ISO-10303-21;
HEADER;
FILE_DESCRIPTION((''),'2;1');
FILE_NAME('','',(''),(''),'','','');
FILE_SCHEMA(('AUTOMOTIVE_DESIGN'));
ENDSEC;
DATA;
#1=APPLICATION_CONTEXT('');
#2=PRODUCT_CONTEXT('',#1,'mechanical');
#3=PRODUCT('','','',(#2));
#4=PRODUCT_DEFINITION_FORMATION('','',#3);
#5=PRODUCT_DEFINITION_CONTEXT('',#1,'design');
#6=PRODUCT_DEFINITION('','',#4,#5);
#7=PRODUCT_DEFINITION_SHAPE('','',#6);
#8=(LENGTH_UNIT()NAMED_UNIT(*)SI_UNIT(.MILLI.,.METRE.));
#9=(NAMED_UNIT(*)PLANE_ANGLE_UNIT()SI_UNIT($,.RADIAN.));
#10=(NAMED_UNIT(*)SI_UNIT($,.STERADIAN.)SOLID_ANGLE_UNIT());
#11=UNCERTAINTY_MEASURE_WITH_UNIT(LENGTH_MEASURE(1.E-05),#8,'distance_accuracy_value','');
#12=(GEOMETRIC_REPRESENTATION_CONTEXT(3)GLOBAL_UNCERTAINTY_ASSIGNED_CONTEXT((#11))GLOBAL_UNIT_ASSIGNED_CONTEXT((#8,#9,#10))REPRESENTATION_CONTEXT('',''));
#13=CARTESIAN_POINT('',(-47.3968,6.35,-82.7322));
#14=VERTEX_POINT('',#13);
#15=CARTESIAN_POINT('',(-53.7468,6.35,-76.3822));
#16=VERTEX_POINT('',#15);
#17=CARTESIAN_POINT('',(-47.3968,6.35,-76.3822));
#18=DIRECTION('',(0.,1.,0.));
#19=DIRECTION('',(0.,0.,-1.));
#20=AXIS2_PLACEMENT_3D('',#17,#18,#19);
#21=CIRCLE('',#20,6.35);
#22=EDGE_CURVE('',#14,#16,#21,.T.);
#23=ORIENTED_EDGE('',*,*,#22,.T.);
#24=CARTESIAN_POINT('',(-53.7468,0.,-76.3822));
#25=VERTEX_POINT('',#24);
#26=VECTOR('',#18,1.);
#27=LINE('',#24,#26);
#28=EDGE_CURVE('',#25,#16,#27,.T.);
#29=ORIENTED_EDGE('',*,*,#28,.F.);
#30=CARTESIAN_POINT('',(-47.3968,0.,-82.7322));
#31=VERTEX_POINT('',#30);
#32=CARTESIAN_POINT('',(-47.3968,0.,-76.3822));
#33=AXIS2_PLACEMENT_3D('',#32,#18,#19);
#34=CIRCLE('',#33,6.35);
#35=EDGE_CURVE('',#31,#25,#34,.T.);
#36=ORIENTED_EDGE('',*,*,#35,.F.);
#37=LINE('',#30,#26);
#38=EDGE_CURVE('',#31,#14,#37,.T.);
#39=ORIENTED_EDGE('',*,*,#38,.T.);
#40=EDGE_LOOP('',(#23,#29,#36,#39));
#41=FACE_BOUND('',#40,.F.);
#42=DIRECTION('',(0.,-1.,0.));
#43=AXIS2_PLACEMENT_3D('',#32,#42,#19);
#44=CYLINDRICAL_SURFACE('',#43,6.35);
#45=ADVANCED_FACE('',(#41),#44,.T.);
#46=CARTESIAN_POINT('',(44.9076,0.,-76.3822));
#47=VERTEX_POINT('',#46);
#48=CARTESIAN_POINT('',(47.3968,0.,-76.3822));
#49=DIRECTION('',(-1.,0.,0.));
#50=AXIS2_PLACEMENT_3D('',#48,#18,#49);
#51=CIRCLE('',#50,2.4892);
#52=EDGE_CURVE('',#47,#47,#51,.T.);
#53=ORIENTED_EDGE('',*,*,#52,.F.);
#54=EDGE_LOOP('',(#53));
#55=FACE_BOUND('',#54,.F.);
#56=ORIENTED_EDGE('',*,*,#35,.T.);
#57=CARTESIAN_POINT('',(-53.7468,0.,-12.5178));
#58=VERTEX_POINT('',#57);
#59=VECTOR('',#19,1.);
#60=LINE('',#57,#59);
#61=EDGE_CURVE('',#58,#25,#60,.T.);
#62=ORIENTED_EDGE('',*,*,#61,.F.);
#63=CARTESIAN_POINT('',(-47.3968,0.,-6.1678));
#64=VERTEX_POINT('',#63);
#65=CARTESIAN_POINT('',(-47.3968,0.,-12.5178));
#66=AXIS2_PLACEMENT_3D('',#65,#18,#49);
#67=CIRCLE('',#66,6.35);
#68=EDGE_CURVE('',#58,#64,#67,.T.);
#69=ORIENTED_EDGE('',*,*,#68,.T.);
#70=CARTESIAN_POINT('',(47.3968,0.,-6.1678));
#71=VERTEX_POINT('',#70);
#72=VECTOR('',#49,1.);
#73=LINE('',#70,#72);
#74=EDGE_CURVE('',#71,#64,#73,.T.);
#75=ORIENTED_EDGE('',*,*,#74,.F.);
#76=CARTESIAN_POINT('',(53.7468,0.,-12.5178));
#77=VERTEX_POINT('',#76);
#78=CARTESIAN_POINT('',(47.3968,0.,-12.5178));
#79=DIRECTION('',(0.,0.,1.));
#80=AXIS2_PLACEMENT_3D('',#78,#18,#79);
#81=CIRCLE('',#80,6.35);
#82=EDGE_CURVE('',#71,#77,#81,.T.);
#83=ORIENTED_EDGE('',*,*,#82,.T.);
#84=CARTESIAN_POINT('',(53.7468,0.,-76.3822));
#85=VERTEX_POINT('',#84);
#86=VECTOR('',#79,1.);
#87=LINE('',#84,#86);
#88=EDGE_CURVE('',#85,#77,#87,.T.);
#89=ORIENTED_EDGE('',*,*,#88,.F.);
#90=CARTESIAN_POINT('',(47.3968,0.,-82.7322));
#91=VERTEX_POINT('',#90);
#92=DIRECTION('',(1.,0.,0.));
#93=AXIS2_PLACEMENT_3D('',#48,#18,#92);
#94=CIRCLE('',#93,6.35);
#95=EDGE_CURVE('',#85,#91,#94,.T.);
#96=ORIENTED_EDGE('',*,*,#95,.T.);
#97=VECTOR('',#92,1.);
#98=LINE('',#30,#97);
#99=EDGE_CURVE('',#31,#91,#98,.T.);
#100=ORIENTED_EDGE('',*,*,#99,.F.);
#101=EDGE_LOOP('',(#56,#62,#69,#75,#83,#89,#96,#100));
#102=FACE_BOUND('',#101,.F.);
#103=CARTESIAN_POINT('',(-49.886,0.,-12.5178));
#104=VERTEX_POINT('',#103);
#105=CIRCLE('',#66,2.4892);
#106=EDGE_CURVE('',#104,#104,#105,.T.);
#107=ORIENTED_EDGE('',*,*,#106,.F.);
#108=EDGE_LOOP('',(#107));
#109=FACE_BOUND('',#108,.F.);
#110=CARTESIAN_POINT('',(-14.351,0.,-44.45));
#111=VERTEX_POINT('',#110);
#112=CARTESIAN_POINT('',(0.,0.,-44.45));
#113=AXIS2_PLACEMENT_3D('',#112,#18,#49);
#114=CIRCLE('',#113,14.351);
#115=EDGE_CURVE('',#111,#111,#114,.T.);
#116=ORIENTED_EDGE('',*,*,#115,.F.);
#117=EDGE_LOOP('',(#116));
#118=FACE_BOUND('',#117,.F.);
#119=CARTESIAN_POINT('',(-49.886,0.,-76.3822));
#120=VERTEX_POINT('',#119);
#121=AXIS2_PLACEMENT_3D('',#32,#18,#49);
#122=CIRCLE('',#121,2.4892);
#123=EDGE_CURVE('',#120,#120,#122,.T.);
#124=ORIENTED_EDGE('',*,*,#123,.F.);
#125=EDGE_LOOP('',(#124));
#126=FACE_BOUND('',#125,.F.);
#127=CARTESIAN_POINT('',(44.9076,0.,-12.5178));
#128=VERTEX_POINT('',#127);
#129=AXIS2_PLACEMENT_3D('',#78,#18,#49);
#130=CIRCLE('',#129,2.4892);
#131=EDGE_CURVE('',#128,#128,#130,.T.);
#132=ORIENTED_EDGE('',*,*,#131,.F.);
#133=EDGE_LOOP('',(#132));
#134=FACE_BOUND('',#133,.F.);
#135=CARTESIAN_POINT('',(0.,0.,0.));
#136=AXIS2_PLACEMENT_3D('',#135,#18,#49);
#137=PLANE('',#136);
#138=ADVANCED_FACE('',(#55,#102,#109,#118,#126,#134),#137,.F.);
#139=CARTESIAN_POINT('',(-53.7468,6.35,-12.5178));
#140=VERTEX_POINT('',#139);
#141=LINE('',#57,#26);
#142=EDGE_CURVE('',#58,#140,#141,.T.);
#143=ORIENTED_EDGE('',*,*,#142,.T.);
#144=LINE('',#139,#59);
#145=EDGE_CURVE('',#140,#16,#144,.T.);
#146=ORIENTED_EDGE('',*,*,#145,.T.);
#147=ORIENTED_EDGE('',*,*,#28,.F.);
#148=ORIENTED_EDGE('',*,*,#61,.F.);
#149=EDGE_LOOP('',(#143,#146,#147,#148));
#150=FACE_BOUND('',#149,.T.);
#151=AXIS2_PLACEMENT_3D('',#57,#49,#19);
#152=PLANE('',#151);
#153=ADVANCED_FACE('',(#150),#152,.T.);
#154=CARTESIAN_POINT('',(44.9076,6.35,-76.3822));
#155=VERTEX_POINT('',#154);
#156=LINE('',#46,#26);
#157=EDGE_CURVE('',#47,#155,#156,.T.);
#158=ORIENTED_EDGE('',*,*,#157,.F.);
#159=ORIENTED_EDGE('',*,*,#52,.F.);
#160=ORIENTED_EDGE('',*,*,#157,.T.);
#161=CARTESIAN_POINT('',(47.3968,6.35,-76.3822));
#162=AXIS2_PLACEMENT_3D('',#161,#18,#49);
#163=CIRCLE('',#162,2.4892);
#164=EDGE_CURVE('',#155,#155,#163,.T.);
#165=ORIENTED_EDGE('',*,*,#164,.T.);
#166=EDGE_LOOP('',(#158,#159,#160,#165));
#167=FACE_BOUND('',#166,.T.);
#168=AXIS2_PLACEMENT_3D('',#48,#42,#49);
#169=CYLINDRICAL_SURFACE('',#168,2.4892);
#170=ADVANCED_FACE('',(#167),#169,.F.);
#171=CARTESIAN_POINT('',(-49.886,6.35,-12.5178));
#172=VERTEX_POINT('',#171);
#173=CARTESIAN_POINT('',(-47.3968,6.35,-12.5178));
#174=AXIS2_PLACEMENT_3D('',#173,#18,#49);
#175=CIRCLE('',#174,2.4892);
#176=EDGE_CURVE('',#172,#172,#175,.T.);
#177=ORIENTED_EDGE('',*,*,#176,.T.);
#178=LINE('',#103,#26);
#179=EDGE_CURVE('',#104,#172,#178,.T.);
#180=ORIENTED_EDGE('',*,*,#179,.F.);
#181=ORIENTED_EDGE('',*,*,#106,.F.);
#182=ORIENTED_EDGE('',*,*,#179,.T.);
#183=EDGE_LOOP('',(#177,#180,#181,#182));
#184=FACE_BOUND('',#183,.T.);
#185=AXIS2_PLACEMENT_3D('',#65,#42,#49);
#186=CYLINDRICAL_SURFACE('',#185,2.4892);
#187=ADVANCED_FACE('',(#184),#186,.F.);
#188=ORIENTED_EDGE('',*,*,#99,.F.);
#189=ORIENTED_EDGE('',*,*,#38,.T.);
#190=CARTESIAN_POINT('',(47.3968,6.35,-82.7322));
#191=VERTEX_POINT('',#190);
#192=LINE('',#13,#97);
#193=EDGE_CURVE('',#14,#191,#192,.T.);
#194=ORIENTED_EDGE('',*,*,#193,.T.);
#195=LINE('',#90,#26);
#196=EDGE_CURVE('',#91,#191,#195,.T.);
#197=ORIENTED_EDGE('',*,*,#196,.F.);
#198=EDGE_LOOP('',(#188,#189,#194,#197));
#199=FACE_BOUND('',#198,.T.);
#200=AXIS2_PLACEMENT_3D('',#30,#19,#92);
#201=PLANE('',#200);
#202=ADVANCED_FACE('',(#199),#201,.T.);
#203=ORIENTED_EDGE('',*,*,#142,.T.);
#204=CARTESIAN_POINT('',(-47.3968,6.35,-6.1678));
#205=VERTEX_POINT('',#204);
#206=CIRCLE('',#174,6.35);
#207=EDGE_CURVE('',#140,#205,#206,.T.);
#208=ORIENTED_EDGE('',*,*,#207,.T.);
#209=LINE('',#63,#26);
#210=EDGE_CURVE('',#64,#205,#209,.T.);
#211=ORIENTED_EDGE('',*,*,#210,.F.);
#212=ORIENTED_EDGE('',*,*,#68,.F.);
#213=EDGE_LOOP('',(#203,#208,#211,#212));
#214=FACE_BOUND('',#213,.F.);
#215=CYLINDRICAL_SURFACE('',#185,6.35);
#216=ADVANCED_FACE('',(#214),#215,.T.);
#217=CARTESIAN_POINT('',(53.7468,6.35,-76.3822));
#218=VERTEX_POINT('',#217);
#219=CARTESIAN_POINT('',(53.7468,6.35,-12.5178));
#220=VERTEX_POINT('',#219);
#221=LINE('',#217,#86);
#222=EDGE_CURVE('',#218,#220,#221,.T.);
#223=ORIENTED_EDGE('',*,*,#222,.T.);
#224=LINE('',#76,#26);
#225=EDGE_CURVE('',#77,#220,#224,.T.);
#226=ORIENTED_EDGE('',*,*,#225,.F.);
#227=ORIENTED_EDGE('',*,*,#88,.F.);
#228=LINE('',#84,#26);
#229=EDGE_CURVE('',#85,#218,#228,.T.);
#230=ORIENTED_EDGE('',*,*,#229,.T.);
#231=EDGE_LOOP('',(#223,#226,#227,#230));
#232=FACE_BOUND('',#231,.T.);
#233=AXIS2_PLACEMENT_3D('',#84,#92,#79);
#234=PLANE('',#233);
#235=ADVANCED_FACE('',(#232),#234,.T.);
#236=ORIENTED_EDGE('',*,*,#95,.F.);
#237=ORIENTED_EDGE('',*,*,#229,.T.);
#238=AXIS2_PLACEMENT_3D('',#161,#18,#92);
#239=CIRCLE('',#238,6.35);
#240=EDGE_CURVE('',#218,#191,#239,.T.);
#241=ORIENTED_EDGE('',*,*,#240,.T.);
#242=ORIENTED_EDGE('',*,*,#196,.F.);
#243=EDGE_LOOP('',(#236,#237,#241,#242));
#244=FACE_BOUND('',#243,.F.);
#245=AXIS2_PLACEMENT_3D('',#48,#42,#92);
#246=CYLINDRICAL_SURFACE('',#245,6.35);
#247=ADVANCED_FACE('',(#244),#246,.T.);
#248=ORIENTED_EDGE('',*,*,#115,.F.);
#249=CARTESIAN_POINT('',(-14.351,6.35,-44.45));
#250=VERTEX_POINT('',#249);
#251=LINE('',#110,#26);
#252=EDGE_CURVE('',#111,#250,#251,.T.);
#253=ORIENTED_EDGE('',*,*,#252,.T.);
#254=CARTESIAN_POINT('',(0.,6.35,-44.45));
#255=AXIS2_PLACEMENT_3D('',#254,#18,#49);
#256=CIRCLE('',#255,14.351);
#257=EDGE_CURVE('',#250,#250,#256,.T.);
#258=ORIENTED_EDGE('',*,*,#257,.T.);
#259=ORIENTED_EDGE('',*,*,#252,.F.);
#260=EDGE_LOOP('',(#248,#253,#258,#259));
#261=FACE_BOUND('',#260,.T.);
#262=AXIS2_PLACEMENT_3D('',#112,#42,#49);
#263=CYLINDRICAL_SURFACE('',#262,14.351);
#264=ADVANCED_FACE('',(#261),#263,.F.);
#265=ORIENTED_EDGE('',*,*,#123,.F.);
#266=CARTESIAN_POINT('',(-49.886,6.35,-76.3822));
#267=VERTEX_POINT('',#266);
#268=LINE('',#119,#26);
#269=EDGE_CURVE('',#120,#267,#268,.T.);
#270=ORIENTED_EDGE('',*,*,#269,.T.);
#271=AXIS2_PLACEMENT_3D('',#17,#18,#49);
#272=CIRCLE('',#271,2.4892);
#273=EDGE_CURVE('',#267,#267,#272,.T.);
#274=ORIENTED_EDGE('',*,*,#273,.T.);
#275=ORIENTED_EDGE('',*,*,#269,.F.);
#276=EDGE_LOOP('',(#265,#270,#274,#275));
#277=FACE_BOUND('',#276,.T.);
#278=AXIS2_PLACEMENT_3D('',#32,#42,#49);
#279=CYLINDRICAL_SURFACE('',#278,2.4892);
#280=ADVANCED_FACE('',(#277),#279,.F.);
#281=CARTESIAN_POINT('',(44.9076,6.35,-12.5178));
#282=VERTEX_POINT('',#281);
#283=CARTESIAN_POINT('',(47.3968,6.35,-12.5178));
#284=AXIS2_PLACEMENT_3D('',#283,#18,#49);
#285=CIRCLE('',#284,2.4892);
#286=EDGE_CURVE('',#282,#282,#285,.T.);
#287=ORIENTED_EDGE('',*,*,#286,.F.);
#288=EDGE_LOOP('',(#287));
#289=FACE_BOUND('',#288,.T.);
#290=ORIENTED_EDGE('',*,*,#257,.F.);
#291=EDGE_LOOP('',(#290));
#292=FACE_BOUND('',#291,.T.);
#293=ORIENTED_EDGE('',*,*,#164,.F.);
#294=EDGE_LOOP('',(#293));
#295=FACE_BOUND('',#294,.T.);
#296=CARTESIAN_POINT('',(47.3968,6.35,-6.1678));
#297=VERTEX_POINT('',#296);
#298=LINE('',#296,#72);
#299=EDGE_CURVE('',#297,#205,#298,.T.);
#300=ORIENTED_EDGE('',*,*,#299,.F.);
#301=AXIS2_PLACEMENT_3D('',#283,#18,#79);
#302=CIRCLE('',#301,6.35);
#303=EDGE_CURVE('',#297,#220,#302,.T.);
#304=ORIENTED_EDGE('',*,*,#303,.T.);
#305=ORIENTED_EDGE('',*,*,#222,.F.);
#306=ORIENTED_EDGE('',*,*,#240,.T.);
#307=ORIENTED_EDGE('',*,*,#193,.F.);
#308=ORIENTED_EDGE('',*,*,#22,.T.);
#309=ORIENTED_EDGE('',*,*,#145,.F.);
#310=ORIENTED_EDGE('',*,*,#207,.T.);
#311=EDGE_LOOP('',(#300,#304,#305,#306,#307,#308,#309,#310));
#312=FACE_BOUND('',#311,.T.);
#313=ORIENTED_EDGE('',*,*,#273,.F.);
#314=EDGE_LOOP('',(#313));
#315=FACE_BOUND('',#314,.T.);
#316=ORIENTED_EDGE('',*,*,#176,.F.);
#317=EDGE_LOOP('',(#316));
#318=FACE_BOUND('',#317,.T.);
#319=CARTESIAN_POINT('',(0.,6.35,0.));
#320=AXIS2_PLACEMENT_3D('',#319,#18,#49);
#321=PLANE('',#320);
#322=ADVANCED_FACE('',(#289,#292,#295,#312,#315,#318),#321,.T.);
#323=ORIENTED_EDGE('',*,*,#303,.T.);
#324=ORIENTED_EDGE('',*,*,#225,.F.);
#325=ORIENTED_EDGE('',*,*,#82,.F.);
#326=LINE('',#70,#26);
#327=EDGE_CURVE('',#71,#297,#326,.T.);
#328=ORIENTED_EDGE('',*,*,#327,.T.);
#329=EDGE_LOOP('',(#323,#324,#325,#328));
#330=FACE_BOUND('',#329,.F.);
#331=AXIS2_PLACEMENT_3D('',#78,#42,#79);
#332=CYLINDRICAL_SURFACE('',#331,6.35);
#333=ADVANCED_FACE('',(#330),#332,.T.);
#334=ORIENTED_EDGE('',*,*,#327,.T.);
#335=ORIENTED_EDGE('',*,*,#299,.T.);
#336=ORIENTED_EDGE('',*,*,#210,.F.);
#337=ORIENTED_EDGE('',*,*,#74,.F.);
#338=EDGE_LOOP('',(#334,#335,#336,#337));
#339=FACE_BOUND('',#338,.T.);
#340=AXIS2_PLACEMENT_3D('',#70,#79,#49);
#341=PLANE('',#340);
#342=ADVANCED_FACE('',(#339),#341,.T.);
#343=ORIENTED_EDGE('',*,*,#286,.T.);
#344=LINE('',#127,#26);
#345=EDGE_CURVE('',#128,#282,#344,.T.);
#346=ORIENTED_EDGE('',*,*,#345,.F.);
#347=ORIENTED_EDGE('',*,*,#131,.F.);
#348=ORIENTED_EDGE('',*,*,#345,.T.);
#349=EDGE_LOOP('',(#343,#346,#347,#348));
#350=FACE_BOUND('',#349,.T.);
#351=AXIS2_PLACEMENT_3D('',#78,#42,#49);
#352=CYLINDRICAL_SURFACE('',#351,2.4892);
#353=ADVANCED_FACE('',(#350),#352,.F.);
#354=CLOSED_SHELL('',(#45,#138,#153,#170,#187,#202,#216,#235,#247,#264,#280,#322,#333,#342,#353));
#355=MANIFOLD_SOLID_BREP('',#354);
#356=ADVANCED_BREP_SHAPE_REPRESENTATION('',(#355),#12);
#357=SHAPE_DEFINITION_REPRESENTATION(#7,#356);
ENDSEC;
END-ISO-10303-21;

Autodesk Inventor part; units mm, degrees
ref_plane "YZ Plane" through (0, 0, 0) normal (1, 0, 0) x (0, 1, 0)
ref_plane "XZ Plane" through (0, 0, 0) normal (0, 1, 0) x (-1, 0, 0)
ref_plane "XY Plane" through (0, 0, 0) normal (0, 0, 1) x (1, 0, 0)
sketch "Sketch1" plane through (0, 0, 0) normal (0, 1, 0) x (-1, 0, 0)
  point P0 (0, 0)
sketch "Sketch2" plane through (0, 0, 0) normal (0, 1, 0) x (-1, 0, 0)
  circle A0 centre (0, 0) radius 6.35 construction
  circle A1 centre (0, -44.45) radius 38.1 construction
  circle A2 centre (0, 0) radius 25.4 construction
  circle A3 centre (17.9605, -17.9605) radius 2.4892 construction
  circle A4 centre (25.4, 0) radius 2.4892 construction
  circle A5 centre (17.9605, 17.9605) radius 2.4892 construction
  circle A6 centre (0, 25.4) radius 2.4892 construction
  circle A7 centre (-17.9605, 17.9605) radius 2.4892 construction
  circle A8 centre (-25.4, 0) radius 2.4892 construction
  circle A9 centre (-17.9605, -17.9605) radius 2.4892 construction
  circle A10 centre (0, -25.4) radius 2.4892 construction
  circle A11 centre (0, -88.9) radius 25.4 construction
  circle A12 centre (0, -88.9) radius 6.35 construction
  circle A13 centre (-17.9605, -70.9395) radius 2.4892 construction
  circle A14 centre (-25.4, -88.9) radius 2.4892 construction
  circle A15 centre (-17.9605, -106.8605) radius 2.4892 construction
  circle A16 centre (0, -114.3) radius 2.4892 construction
  circle A17 centre (17.9605, -106.8605) radius 2.4892 construction
  circle A18 centre (25.4, -88.9) radius 2.4892 construction
  circle A19 centre (17.9605, -70.9395) radius 2.4892 construction
  circle A20 centre (0, -63.5) radius 2.4892 construction
  circle A21 centre (0, 0) radius 9.525 construction
  circle A22 centre (0, -88.9) radius 9.525 construction
  circle A23 centre (47.3968, -12.5178) radius 6.35 construction
  circle A24 centre (47.3968, -76.3822) radius 6.35 construction
  circle A25 centre (-47.3968, -76.3822) radius 6.35 construction
  circle A26 centre (0, 0) radius 29.972 construction
  circle A27 centre (0, -88.9) radius 29.972 construction
  circle A28 centre (-47.3968, -12.5178) radius 6.35 construction
  circle A29 centre (47.3968, -12.5178) radius 2.4892
  circle A30 centre (47.3968, -76.3822) radius 2.4892
  circle A31 centre (-47.3968, -12.5178) radius 2.4892
  circle A32 centre (-47.3968, -76.3822) radius 2.4892
  line L0 (42.1305, -72.8341) -> (31.5979, -65.7381) construction
  line L1 (41.2573, -78.0036) -> (28.9784, -81.2466) construction
  line L2 (-41.2573, -78.0036) -> (-28.9784, -81.2466) construction
  line L3 (-42.1305, -72.8341) -> (-31.5979, -65.7381) construction
  line L4 (-41.2573, -10.8964) -> (-28.9784, -7.6534) construction
  line L5 (-42.1305, -16.0659) -> (-31.5979, -23.1619) construction
  line L6 (41.2573, -10.8964) -> (28.9784, -7.6534) construction
  line L7 (42.1305, -16.0659) -> (31.5979, -23.1619) construction
  circle A33 centre (0, -44.45) radius 14.351
  line L8 (47.3968, -82.7322) -> (-47.3968, -82.7322)
  line L9 (-53.7468, -76.3822) -> (-53.7468, -12.5178)
  line L10 (-47.3968, -6.1678) -> (47.3968, -6.1678)
  line L11 (53.7468, -12.5178) -> (53.7468, -76.3822)
  arc A34 (53.7468, -12.5178) -> (47.3968, -6.1678) centre (47.3968, -12.5178) ccw
  arc A35 (-53.7468, -76.3822) -> (-47.3968, -82.7322) centre (-47.3968, -76.3822) ccw
  arc A36 (-47.3968, -6.1678) -> (-53.7468, -12.5178) centre (-47.3968, -12.5178) ccw
  arc A37 (47.3968, -82.7322) -> (53.7468, -76.3822) centre (47.3968, -76.3822) ccw
  point P0 (-20.6699, 21.7043)
  point P1 (-20.6699, -110.6043)
  point P2 (51.7761, -80.9805)
  point P3 (51.7761, -7.9195)
  point P4 (-47.3968, -82.7322)
  dimension "d2" = 50.8
  dimension "d0" = 12.7
  dimension "d1" = 76.2
  dimension "d3" = 4.9784
  dimension "d6" = 360
  dimension "d8" = 4.9784
  dimension "d11" = 360
  dimension "d13" = 19.05
  dimension "d14" = 19.05
  dimension "d15" = 59.944
  dimension "d16" = 59.944
  dimension "d17" = 12.7
  dimension "d18" = 4.9784
  dimension "d24" = 12.7
  dimension "d25" = 28.702
extrude "Extrusion2" add sketch "Sketch2" along normal blind 6.35
properties part number "Top Plate" material "Aluminum 6061"
